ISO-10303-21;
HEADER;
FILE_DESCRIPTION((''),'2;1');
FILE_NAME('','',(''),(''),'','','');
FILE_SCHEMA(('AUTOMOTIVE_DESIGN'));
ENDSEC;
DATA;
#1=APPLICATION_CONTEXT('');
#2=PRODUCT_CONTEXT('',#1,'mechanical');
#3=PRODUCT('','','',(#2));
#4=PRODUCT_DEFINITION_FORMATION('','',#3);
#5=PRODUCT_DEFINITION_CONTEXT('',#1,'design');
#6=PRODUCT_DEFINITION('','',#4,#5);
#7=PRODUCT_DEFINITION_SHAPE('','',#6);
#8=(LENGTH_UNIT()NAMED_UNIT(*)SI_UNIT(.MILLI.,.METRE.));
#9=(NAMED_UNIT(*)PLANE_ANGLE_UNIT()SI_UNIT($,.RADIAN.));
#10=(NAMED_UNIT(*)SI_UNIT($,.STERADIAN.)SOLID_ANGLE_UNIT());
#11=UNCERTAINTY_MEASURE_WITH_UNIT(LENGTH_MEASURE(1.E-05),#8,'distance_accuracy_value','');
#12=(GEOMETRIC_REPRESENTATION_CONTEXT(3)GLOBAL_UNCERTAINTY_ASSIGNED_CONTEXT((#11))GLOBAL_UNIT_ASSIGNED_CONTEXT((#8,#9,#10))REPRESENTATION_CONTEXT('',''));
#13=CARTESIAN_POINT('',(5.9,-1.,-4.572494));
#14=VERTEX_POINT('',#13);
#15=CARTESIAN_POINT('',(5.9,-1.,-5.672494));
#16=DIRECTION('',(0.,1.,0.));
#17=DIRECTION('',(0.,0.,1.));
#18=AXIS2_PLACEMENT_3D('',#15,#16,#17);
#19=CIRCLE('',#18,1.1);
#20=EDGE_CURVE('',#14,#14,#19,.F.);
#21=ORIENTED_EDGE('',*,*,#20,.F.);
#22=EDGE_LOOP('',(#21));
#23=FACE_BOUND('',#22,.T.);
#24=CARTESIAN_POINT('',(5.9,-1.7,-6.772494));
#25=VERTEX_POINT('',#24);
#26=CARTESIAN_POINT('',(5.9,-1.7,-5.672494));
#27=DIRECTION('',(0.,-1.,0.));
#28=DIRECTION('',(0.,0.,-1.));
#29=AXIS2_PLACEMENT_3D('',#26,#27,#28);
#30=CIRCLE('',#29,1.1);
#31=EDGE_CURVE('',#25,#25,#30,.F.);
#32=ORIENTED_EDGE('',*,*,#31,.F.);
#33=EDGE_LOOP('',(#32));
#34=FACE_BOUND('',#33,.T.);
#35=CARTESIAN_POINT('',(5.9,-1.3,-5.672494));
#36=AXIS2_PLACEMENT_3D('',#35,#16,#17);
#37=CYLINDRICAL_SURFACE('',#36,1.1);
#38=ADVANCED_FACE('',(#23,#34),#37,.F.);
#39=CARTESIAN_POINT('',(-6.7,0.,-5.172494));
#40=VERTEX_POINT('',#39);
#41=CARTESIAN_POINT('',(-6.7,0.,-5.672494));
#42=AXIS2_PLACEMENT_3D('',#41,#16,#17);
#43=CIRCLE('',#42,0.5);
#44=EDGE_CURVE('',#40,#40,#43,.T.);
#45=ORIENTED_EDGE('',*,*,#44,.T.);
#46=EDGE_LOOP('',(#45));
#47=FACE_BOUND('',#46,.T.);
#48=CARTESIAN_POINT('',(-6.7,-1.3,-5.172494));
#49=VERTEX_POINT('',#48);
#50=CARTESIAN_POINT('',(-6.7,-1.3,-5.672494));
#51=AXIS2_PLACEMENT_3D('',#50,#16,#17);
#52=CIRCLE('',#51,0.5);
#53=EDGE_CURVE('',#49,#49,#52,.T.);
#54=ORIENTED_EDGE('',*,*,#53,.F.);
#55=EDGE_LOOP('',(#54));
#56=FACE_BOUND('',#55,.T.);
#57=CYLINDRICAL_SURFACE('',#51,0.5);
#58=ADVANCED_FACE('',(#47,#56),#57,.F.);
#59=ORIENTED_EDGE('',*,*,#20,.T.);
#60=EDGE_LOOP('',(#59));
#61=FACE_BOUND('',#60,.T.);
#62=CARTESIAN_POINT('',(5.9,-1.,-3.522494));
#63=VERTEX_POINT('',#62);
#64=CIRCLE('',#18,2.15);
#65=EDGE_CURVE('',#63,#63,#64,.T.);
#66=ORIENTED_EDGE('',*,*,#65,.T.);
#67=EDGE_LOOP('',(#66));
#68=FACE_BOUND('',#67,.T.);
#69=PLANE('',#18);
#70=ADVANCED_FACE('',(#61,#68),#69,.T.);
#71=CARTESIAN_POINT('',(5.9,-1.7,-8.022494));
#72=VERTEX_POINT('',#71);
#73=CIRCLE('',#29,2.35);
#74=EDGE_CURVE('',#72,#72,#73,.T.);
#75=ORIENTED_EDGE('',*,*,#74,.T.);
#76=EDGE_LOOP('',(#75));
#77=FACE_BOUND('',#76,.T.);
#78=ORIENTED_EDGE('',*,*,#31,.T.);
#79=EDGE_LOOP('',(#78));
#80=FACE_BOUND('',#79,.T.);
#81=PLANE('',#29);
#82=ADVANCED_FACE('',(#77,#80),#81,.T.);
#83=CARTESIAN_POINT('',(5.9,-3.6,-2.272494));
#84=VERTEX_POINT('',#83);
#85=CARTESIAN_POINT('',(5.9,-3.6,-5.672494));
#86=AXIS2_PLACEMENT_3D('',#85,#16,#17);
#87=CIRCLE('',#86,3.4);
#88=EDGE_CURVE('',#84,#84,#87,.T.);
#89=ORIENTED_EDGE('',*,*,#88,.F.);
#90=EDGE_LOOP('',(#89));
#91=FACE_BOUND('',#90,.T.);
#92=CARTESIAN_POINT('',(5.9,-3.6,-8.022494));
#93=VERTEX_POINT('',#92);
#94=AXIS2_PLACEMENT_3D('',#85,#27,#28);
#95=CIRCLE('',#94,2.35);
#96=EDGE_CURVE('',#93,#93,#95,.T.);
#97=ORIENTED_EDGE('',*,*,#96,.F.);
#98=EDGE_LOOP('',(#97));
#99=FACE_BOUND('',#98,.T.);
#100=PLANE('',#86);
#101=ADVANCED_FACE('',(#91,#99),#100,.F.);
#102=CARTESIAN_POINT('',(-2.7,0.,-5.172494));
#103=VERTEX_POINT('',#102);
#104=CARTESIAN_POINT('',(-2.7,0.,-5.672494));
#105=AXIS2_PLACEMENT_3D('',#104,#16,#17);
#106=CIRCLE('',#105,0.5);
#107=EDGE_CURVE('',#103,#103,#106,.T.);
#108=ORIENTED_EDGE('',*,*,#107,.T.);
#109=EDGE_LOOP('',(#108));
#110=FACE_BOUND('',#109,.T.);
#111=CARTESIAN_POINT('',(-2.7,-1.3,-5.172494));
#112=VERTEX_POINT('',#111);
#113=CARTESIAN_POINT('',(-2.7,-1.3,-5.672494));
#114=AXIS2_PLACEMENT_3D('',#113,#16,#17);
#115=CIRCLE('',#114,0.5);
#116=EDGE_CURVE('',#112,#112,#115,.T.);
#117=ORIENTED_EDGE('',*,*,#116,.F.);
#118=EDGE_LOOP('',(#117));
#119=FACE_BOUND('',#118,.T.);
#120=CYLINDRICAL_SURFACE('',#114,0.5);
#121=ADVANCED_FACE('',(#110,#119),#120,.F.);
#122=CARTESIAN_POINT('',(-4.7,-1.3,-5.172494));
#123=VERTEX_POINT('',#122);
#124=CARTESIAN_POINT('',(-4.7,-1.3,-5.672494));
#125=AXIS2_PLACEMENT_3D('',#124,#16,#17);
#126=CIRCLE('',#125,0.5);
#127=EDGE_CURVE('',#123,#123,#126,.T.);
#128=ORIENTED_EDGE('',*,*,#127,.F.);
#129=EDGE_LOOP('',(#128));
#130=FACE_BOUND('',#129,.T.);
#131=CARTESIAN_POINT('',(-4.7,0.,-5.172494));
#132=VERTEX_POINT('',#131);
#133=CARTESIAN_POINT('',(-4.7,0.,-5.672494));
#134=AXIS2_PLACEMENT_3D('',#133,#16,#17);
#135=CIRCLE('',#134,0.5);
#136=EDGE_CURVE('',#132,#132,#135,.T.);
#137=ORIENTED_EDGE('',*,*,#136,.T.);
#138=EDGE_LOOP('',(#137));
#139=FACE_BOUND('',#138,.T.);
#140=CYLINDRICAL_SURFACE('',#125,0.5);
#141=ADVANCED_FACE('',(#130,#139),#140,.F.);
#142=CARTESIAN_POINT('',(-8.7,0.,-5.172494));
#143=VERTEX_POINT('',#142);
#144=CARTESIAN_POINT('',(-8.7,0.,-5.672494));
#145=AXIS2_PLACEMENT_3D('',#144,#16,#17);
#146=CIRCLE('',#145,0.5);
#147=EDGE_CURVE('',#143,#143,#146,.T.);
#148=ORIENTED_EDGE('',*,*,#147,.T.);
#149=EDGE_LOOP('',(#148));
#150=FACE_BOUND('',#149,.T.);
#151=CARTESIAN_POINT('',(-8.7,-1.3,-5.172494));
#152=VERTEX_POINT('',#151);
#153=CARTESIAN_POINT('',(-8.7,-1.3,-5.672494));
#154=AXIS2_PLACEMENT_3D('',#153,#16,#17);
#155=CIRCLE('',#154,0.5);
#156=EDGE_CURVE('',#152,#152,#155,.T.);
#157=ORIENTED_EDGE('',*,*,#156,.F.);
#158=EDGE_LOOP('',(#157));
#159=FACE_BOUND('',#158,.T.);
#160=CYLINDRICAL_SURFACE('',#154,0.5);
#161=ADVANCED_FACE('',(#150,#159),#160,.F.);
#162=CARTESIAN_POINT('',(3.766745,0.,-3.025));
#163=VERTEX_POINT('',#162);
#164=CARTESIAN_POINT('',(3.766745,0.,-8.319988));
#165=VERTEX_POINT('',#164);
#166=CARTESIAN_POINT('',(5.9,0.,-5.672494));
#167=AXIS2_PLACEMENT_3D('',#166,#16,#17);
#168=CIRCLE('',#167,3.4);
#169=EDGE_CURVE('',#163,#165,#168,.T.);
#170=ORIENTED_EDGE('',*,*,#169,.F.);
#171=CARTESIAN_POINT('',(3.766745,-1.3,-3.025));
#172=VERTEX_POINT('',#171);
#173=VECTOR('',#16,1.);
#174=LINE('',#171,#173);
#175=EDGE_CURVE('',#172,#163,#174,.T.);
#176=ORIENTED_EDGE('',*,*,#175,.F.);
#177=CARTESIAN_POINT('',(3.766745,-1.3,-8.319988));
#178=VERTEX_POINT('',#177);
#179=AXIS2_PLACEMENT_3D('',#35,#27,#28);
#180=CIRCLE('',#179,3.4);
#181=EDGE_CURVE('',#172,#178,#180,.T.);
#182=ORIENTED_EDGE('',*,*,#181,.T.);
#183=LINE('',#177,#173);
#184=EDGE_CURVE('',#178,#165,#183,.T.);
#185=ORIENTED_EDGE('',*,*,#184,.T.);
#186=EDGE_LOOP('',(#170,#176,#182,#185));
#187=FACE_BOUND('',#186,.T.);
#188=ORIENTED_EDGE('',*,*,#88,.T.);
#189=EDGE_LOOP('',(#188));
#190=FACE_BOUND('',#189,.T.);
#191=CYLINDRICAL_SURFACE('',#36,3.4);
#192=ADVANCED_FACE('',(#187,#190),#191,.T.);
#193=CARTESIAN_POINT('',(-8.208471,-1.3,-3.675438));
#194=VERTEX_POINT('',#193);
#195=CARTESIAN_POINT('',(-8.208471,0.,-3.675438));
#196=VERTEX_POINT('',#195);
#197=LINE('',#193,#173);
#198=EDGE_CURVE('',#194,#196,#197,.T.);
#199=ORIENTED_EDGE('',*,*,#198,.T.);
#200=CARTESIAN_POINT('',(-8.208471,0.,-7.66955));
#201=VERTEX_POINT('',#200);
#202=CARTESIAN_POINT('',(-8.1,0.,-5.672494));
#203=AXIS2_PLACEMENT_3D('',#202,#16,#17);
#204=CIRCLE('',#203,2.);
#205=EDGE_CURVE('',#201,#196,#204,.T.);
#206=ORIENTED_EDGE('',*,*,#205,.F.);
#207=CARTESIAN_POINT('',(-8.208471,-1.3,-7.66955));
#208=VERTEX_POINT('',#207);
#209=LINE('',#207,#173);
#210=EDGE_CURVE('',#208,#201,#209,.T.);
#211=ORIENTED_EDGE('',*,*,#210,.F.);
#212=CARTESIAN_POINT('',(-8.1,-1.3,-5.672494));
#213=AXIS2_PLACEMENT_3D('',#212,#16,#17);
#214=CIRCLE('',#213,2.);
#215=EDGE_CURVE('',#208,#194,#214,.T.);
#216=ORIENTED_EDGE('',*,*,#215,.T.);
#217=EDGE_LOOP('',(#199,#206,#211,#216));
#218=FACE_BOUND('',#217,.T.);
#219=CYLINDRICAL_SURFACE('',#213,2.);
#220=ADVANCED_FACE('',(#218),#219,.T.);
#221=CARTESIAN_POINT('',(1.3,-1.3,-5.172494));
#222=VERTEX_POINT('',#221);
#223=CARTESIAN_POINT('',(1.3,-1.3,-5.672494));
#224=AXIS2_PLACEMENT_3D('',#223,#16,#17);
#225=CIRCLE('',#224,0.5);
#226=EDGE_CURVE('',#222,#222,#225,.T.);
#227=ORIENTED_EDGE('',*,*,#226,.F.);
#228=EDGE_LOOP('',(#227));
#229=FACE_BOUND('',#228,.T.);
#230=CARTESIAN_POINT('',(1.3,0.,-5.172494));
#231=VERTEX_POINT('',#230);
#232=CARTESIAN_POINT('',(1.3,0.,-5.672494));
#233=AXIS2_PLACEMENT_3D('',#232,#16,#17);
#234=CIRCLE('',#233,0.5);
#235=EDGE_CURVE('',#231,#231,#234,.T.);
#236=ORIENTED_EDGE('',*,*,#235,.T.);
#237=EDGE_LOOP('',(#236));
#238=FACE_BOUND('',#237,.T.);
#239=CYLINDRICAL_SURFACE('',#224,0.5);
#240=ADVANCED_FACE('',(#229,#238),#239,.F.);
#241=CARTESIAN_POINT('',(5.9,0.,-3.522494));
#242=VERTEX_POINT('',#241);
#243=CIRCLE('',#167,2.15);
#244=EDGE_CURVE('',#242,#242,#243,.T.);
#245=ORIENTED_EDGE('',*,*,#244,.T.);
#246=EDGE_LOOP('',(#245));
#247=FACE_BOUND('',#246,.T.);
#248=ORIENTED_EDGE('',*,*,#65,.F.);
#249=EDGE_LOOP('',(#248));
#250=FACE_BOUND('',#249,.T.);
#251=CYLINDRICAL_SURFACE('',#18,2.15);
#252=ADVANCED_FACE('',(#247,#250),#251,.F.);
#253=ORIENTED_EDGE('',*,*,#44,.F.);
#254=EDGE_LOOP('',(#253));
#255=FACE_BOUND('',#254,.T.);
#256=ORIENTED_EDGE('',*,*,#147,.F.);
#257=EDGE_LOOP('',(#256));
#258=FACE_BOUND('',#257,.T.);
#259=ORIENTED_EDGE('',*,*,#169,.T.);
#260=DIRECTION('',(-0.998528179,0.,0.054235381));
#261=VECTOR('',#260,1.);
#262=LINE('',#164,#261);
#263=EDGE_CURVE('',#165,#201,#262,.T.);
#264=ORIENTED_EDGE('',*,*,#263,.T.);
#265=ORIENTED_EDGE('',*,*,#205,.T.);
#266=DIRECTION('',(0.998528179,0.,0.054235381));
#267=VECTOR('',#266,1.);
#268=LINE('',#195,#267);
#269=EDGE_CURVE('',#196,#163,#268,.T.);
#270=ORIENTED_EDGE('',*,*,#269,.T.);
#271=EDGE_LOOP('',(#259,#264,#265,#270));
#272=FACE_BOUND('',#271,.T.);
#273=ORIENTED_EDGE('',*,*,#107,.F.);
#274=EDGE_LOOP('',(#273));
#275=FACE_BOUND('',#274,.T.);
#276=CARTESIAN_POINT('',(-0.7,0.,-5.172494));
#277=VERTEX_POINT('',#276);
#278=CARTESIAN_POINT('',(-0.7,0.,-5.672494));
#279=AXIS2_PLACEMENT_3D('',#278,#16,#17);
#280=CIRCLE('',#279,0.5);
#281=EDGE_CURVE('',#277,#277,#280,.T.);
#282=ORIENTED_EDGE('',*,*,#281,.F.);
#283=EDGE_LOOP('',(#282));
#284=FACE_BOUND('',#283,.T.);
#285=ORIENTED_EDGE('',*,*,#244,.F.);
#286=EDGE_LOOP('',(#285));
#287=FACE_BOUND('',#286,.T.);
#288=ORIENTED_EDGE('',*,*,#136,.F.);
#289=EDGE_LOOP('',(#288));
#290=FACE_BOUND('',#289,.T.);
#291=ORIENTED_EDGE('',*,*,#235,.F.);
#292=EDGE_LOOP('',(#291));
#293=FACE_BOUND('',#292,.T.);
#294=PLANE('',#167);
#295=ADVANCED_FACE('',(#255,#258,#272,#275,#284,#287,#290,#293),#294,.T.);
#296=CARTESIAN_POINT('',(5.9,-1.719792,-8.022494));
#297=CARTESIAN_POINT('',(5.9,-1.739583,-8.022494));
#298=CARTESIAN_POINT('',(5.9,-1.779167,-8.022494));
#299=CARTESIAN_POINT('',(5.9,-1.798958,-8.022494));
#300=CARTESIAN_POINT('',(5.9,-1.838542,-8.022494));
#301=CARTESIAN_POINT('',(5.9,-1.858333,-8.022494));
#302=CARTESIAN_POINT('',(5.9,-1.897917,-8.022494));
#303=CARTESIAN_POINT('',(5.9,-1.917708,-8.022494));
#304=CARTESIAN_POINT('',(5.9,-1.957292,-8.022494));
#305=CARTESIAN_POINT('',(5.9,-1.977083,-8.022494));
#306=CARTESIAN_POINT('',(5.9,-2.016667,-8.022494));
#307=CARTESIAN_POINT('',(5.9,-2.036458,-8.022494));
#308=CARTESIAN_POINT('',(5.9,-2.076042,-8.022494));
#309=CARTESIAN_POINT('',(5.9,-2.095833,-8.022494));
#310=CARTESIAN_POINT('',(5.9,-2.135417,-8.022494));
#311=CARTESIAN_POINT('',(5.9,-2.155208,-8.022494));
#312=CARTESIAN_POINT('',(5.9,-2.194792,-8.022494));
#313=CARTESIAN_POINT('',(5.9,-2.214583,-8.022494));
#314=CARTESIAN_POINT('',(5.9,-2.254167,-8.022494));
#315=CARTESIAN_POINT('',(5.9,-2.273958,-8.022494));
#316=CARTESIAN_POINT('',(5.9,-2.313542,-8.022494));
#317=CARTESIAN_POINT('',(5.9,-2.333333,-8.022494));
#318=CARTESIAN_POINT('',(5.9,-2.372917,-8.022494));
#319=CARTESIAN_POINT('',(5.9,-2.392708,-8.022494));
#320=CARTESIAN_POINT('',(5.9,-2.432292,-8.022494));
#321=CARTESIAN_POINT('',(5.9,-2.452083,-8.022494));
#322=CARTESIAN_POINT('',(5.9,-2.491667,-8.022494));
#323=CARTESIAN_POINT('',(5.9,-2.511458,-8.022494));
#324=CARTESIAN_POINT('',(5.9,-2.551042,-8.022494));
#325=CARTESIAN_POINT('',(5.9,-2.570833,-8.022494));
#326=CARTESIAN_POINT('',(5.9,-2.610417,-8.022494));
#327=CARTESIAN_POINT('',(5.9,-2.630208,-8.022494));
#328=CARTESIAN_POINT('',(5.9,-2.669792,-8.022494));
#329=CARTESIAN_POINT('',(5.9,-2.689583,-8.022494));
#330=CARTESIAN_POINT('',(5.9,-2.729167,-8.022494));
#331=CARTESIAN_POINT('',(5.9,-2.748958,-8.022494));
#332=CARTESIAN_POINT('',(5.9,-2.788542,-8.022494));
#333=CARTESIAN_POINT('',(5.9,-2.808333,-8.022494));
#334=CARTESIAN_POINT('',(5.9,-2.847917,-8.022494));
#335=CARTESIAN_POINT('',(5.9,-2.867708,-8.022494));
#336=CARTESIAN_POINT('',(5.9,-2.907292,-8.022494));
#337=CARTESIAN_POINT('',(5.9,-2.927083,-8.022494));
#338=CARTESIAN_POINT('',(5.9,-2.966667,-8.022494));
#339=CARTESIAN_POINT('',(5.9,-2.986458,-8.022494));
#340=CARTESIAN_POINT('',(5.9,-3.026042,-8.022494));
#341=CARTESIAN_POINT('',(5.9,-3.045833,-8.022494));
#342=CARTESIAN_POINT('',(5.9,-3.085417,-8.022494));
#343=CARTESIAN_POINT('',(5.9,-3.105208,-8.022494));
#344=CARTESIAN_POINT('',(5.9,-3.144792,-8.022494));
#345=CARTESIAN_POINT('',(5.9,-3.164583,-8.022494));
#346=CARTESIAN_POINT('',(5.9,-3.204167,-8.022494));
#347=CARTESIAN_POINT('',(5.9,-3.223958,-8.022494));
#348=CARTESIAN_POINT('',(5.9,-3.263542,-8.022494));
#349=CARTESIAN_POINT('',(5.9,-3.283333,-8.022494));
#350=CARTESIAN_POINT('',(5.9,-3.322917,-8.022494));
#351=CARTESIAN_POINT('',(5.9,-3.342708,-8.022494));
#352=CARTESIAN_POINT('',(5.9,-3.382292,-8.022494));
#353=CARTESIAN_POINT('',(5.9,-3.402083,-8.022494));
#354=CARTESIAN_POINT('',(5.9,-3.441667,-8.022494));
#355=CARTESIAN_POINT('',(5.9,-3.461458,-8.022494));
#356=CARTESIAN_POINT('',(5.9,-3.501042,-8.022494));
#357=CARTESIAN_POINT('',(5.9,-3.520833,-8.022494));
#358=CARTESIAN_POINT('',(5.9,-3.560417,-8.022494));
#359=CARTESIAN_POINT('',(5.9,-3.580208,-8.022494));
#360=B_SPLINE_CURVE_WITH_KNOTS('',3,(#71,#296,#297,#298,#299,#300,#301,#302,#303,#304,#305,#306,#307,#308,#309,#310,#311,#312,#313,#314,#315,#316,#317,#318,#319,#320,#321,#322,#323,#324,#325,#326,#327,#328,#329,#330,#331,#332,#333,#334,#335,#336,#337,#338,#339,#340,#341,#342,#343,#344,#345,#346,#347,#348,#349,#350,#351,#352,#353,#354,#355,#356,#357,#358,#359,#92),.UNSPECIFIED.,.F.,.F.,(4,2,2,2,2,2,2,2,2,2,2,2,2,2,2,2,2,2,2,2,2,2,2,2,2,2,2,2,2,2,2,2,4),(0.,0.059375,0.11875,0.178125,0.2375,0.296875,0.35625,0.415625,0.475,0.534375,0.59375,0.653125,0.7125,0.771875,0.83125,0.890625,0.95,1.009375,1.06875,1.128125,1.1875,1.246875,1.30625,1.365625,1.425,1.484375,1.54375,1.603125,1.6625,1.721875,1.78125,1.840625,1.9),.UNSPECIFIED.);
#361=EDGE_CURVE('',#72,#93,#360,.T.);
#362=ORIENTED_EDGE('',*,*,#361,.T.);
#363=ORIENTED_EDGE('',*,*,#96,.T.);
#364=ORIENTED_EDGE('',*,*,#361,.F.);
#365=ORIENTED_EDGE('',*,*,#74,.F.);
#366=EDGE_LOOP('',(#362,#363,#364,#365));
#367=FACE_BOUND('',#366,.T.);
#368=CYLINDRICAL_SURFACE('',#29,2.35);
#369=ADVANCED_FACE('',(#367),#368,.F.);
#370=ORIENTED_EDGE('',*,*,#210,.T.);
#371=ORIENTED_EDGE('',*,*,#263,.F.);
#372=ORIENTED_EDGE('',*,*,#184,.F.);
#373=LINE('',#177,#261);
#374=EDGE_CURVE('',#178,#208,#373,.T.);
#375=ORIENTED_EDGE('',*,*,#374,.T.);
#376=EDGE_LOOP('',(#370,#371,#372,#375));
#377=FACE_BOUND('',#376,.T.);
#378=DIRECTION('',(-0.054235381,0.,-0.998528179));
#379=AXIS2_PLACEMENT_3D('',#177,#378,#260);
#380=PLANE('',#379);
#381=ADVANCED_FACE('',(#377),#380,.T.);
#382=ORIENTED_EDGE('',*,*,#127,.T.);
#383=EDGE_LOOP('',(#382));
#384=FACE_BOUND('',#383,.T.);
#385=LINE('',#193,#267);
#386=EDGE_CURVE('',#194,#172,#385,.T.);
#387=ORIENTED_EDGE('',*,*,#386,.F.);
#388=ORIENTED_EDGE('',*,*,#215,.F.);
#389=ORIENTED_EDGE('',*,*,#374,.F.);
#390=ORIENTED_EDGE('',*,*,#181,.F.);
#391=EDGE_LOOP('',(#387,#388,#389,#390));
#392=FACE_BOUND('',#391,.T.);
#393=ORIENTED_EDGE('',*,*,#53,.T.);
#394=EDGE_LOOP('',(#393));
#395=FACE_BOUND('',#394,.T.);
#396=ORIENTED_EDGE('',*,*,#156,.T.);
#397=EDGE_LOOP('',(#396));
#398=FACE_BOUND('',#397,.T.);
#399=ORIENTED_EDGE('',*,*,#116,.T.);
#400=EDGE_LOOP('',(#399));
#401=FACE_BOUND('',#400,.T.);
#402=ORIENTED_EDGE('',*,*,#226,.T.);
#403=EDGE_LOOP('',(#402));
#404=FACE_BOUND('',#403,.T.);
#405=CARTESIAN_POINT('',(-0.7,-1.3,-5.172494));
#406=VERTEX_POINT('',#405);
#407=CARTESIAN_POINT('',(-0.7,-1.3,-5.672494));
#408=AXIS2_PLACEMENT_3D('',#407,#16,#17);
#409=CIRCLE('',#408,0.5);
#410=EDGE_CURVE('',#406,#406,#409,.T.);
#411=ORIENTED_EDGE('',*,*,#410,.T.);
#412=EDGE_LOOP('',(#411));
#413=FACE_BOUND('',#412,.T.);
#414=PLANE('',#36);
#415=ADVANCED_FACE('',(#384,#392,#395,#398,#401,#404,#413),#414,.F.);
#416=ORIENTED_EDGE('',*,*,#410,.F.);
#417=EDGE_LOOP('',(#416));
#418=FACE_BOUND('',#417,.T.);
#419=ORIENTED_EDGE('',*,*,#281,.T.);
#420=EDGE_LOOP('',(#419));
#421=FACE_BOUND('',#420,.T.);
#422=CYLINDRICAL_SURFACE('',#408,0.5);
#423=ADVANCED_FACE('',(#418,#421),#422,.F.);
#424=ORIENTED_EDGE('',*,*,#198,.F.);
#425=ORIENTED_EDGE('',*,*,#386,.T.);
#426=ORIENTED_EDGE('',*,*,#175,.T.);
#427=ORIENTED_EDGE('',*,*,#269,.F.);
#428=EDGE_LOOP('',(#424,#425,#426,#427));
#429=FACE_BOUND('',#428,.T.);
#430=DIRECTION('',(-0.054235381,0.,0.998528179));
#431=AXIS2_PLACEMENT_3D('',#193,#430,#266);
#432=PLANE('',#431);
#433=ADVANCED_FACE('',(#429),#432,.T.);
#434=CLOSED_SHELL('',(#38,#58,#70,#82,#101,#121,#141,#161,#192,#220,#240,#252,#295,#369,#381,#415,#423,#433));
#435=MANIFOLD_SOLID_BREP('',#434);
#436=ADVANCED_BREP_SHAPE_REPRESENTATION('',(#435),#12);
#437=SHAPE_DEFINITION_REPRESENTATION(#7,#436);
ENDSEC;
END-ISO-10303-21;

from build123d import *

# Parameters (mm, degrees)
SKETCH1_R           = 0.5
SKETCH1_R_2         = 1.1
BOSS_EXTRUDE1_DEPTH = 1.3
SKETCH3_R           = 2.15
CUT_EXTRUDE1_DEPTH  = 1
SKETCH4_R           = 3.4
BOSS_EXTRUDE3_DEPTH = 2.3
SKETCH5_R           = 2.35
CUT_EXTRUDE2_DEPTH  = 1.9
CUT_EXTRUDE3_REACH  = 15.77
SKETCH6_R           = 1.1


with BuildPart() as part:
    # Sketch1 → Boss-Extrude1 (new body)
    with BuildSketch(Plane(origin=(0, 0, 0), x_dir=(1, 0, 0), z_dir=(0, 1, 0))):
        with BuildLine():
            Line((3.766745444, 8.319988196), (-8.208470762, 7.669550455))
            ThreePointArc((-8.208470762, 7.669550455), (-10.1, 5.672494098), (-8.208470762, 3.675437741))
            Line((-8.208470762, 3.675437741), (3.766745444, 3.025))
            ThreePointArc((3.766745444, 3.025), (9.3, 5.672494098), (3.766745444, 8.319988196))
        make_face()
        with Locations(Location((-8.7, 5.672494098, 0), (0, 0, 270))):
            Circle(SKETCH1_R, mode=Mode.SUBTRACT)
        with Locations(Location((1.3, 5.672494098, 0), (0, 0, 270))):
            Circle(SKETCH1_R, mode=Mode.SUBTRACT)
        with Locations(Location((-0.7, 5.672494098, 0), (0, 0, 270))):
            Circle(SKETCH1_R, mode=Mode.SUBTRACT)
        with Locations(Location((-2.7, 5.672494098, 0), (0, 0, 270))):
            Circle(SKETCH1_R, mode=Mode.SUBTRACT)
        with Locations(Location((-4.7, 5.672494098, 0), (0, 0, 270))):
            Circle(SKETCH1_R, mode=Mode.SUBTRACT)
        with Locations(Location((-6.7, 5.672494098, 0), (0, 0, 270))):
            Circle(SKETCH1_R, mode=Mode.SUBTRACT)
        with Locations(Location((5.9, 5.672494098, 0), (0, 0, 270))):
            Circle(SKETCH1_R_2, mode=Mode.SUBTRACT)
    extrude(amount=-BOSS_EXTRUDE1_DEPTH)

    # Sketch3 → Cut-Extrude1 (cut)
    with BuildSketch(Plane(origin=(0, 0, 0), x_dir=(1, 0, 0), z_dir=(0, 1, 0))):
        with Locations(Location((5.9, 5.672494098, 0), (0, 0, 270))):
            Circle(SKETCH3_R)
    extrude(amount=-CUT_EXTRUDE1_DEPTH, mode=Mode.SUBTRACT)

    # Sketch4 → Boss-Extrude3 (add)
    with BuildSketch(Plane.XZ.offset(1.3)):
        with Locations(Location((5.9, -5.672494098, 0), (0, 0, 90))):
            Circle(SKETCH4_R)
    extrude(amount=BOSS_EXTRUDE3_DEPTH)

    # Sketch5 → Cut-Extrude2 (cut)
    with BuildSketch(Plane.XZ.offset(3.6)):
        with Locations(Location((5.9, -5.672494098, 0), (0, 0, 270))):
            Circle(SKETCH5_R)
    extrude(amount=-CUT_EXTRUDE2_DEPTH, mode=Mode.SUBTRACT)

    # Sketch6 → Cut-Extrude3 (cut, up to next)
    with BuildSketch(Plane(origin=(0, -1.3, 0), x_dir=(1, 0, 0), z_dir=(0, 1, 0)), mode=Mode.PRIVATE) as cut_extrude3_sk1:
        with Locations(Location((5.9, 5.672494098, 0), (0, 0, 270))):
            Circle(SKETCH6_R)
    cut_extrude3_tool1 = extrude(cut_extrude3_sk1.sketch, amount=-CUT_EXTRUDE3_REACH, mode=Mode.PRIVATE) & part.part
    add(cut_extrude3_tool1.solids().sort_by_distance((5.9, -1.3, -5.672494))[0], mode=Mode.SUBTRACT)


solid = part.part
